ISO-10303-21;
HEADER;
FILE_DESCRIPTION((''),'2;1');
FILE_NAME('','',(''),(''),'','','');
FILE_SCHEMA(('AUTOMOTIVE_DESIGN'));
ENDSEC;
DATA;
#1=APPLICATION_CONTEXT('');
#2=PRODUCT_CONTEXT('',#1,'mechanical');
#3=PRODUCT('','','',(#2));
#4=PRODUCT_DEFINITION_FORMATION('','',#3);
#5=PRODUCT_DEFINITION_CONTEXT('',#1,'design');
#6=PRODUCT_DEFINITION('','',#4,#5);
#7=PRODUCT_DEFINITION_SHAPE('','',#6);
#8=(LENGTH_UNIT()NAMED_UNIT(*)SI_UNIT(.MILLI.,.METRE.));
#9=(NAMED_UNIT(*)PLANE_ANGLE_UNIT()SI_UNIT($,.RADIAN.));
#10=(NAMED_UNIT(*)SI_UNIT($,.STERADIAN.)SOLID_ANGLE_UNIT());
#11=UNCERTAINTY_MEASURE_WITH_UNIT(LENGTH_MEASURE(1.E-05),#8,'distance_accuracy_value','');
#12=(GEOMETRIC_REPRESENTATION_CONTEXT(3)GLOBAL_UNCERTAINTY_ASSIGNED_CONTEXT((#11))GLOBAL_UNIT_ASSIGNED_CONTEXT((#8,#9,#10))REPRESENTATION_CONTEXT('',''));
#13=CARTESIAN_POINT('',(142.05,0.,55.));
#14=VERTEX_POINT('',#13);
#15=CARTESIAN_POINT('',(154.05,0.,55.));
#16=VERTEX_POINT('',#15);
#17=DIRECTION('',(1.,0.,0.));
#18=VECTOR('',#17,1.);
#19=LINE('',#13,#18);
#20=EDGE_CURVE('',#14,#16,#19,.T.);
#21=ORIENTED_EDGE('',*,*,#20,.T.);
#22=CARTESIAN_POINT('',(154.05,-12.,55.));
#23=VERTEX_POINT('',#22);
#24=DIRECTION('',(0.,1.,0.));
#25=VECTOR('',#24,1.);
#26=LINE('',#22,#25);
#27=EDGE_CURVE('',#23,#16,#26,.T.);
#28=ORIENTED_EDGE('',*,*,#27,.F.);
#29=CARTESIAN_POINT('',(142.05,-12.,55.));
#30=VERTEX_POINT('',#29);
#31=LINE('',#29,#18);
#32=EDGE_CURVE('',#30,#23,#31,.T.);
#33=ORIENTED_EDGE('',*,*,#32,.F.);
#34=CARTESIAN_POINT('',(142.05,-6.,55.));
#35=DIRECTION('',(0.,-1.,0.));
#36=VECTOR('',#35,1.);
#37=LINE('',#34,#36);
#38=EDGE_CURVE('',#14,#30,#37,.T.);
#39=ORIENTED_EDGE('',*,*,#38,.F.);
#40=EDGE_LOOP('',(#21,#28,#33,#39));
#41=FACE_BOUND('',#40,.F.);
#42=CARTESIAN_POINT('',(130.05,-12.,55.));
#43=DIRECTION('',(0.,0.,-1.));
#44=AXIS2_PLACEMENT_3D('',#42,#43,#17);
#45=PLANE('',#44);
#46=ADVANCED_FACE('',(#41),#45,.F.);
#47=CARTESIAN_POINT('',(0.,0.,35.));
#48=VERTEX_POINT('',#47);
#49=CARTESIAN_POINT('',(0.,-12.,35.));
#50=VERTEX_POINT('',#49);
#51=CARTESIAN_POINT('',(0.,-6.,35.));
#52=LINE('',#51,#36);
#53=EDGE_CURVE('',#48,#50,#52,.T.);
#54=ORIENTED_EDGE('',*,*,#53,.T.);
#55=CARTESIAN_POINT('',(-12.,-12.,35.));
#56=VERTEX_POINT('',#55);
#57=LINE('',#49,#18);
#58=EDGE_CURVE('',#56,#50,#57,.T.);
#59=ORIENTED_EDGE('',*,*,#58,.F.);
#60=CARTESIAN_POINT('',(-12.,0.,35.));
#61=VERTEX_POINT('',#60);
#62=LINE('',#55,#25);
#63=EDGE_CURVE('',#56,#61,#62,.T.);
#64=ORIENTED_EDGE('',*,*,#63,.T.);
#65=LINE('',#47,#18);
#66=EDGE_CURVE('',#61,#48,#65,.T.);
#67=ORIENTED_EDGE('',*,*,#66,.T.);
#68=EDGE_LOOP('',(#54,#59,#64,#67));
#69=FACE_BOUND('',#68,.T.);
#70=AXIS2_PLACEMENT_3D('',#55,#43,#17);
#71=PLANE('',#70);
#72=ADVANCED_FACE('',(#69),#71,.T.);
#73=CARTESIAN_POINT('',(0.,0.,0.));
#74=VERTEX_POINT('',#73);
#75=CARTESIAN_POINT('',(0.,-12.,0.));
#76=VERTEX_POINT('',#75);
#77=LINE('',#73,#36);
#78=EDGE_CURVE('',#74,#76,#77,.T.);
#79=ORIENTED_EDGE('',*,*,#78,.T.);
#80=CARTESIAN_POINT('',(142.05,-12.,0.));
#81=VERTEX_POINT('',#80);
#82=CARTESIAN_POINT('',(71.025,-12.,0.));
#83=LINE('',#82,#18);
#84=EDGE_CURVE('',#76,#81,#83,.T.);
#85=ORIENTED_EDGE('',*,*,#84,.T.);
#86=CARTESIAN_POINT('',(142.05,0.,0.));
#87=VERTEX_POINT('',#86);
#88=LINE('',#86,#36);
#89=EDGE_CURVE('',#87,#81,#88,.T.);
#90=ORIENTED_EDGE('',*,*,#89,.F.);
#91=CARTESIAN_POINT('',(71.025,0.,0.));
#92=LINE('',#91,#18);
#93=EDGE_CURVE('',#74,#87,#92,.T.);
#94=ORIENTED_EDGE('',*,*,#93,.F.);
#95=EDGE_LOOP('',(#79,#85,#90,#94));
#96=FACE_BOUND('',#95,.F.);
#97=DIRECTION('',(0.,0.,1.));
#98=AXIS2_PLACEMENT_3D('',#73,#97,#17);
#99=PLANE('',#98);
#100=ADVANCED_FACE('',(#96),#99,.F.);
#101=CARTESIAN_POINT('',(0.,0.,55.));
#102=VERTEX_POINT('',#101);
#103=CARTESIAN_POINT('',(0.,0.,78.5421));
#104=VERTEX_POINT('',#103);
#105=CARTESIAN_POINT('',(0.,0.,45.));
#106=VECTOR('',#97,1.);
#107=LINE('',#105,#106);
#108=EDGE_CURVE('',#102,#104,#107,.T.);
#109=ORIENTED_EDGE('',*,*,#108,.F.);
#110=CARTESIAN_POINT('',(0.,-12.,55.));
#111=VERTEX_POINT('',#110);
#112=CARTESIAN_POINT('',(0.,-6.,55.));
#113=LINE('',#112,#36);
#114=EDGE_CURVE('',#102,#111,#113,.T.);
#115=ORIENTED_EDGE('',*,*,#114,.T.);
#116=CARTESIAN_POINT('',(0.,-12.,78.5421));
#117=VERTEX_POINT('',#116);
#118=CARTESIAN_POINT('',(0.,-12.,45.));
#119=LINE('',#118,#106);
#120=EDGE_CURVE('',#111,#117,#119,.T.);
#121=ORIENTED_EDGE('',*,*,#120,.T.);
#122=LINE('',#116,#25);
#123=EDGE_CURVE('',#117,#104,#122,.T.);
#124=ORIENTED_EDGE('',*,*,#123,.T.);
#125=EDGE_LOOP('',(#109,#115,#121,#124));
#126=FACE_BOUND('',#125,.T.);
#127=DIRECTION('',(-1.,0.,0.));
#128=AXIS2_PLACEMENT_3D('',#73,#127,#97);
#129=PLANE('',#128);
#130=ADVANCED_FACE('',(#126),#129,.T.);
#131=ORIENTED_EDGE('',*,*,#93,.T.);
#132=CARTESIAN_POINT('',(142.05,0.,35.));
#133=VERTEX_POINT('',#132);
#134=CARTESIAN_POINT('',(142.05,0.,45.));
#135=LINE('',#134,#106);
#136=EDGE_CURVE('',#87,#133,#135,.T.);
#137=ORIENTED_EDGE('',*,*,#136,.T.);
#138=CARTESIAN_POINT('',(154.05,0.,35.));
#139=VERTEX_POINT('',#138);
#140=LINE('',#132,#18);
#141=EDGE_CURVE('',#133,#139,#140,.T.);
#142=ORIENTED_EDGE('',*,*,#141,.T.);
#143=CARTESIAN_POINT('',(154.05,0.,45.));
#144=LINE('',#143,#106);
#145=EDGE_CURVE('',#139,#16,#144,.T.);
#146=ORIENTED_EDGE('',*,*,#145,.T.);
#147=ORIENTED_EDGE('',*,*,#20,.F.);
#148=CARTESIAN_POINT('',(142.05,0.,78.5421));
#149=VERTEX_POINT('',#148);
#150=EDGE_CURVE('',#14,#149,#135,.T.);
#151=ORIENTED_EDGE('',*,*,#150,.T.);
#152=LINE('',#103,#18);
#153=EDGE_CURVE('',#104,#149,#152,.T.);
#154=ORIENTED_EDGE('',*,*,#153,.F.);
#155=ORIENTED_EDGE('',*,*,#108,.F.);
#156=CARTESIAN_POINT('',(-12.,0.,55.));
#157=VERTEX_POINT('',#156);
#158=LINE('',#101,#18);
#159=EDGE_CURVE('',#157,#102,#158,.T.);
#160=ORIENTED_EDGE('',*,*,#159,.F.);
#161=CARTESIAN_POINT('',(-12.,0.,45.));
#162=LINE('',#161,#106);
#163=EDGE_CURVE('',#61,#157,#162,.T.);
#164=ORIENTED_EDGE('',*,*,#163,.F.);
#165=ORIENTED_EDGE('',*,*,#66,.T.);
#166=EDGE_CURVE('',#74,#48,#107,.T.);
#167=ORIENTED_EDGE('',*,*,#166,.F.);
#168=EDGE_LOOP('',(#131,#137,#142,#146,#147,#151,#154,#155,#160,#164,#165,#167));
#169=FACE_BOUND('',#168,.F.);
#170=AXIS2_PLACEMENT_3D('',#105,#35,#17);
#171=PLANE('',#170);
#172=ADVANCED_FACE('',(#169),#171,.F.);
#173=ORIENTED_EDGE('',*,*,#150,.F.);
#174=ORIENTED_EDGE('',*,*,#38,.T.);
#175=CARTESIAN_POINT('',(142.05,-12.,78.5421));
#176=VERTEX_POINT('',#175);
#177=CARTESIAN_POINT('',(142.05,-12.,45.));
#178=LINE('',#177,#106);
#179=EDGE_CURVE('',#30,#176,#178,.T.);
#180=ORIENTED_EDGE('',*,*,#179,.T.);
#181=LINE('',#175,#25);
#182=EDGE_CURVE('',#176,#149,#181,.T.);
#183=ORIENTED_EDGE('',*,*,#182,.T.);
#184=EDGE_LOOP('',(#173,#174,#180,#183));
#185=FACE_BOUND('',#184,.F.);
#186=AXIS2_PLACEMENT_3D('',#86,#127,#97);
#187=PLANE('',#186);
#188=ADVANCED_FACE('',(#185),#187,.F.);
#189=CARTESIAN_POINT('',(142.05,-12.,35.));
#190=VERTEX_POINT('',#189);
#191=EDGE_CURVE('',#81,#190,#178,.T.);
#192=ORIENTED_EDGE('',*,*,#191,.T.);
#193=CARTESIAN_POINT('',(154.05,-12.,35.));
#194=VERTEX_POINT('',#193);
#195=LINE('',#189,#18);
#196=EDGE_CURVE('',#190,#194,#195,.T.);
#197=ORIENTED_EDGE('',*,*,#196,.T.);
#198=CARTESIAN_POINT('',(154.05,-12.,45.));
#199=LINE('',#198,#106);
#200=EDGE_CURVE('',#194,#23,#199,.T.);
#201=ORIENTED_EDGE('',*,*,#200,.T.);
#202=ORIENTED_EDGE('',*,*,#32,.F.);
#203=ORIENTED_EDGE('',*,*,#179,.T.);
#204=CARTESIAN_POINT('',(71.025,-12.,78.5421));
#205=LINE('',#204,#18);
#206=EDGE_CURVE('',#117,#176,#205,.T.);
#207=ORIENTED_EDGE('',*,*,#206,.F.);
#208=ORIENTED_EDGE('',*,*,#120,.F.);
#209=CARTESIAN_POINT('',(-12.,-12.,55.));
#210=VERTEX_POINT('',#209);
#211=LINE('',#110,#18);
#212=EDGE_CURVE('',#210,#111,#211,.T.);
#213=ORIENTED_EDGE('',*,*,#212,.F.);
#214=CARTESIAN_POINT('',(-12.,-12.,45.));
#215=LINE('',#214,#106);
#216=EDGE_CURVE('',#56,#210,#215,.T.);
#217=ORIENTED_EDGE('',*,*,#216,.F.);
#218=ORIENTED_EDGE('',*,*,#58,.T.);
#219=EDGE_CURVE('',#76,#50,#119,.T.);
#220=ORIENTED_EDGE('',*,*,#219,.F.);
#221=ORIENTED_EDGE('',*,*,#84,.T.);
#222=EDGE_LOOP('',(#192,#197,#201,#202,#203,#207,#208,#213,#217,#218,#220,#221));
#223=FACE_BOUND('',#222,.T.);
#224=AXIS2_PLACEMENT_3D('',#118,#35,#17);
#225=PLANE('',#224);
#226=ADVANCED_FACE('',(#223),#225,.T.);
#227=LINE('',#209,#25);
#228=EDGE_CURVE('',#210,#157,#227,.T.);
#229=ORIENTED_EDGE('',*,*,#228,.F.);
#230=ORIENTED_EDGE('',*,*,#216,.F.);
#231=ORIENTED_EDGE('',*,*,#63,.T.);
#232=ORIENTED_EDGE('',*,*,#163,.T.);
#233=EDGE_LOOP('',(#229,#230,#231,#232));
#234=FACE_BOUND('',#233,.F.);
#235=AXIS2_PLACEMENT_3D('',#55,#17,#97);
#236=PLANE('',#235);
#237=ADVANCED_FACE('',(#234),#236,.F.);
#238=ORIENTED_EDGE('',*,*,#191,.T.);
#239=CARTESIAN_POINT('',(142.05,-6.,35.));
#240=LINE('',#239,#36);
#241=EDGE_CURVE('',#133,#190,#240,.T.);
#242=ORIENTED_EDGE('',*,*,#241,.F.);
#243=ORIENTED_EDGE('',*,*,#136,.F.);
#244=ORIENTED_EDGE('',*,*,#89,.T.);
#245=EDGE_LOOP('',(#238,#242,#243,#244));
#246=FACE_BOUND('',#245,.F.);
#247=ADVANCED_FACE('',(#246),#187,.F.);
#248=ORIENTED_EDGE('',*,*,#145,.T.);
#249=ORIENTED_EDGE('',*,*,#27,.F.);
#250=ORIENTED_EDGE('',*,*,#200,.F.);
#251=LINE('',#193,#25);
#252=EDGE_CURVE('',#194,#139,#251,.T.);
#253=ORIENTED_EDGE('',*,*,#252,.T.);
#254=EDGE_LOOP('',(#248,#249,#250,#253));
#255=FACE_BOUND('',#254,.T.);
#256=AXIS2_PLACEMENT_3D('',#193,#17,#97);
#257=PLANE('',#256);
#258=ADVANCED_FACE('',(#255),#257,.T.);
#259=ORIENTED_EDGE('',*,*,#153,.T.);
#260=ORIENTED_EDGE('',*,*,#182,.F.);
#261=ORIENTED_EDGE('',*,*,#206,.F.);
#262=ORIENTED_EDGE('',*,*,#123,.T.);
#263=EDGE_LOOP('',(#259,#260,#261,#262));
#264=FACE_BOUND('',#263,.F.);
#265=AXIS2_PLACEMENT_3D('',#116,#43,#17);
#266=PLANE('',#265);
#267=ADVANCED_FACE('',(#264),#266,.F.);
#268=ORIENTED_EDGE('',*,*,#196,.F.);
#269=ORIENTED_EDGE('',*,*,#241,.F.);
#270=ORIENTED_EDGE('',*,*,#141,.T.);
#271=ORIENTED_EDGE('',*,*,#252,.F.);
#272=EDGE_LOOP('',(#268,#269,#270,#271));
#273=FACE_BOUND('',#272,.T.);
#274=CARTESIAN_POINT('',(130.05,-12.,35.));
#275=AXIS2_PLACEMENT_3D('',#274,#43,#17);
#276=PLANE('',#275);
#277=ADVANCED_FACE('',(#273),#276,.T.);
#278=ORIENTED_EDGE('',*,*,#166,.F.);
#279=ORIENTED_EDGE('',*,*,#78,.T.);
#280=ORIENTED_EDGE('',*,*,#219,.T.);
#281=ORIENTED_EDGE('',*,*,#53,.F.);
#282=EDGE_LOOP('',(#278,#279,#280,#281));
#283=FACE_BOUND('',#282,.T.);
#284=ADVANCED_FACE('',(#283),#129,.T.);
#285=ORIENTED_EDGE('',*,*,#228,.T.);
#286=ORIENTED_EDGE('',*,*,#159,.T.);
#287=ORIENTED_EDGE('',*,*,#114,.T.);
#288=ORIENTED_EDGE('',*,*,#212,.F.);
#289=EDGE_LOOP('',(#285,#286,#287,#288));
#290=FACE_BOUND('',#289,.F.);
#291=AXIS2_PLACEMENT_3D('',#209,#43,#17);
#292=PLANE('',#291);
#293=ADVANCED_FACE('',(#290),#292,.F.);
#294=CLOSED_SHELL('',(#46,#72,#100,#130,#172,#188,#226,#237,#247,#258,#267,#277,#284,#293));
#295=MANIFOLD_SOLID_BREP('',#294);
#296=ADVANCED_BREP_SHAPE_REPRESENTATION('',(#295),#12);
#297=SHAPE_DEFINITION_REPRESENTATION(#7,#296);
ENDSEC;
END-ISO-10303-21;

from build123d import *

# Parameters (mm, degrees)
F0_W     = 142.05
F0_H     = 90
F1_DEPTH = 12
F2_W     = 24
F2_H     = 20
F3_DEPTH = 12
F4_DEPTH = 10.02627
F5_W     = 142.05
F5_H     = 1.43163
F6_DEPTH = 25


with BuildPart() as f1:
    # F0 (on Front) → F1 (new body)
    with BuildSketch(Plane.XZ):
        with Locations((71.025, 45)):
            Rectangle(F0_W, F0_H)
    extrude(amount=F1_DEPTH)

    # F2 (on face) → F3 (join)
    with BuildSketch(Plane.XZ.offset(12)):
        with Locations((0, 45)):
            Rectangle(F2_W, F2_H)
        with Locations((142.05, 45)):
            Rectangle(F2_W, F2_H)
    extrude(amount=-F3_DEPTH)

    # F4 (cut): a face of the model
    f4_faces = [f1.faces().sort_by_distance(p)[0] for p in [
        (71.025, -6, 90),
    ]]
    extrude(f4_faces, amount=-F4_DEPTH, mode=Mode.SUBTRACT)

    # F5 (on face) → F6 (cut)
    with BuildSketch(Plane.XZ.offset(12)):
        with Locations((71.025, 79.257915)):
            Rectangle(F5_W, F5_H)
    extrude(amount=-F6_DEPTH, mode=Mode.SUBTRACT)


solid = f1.part
